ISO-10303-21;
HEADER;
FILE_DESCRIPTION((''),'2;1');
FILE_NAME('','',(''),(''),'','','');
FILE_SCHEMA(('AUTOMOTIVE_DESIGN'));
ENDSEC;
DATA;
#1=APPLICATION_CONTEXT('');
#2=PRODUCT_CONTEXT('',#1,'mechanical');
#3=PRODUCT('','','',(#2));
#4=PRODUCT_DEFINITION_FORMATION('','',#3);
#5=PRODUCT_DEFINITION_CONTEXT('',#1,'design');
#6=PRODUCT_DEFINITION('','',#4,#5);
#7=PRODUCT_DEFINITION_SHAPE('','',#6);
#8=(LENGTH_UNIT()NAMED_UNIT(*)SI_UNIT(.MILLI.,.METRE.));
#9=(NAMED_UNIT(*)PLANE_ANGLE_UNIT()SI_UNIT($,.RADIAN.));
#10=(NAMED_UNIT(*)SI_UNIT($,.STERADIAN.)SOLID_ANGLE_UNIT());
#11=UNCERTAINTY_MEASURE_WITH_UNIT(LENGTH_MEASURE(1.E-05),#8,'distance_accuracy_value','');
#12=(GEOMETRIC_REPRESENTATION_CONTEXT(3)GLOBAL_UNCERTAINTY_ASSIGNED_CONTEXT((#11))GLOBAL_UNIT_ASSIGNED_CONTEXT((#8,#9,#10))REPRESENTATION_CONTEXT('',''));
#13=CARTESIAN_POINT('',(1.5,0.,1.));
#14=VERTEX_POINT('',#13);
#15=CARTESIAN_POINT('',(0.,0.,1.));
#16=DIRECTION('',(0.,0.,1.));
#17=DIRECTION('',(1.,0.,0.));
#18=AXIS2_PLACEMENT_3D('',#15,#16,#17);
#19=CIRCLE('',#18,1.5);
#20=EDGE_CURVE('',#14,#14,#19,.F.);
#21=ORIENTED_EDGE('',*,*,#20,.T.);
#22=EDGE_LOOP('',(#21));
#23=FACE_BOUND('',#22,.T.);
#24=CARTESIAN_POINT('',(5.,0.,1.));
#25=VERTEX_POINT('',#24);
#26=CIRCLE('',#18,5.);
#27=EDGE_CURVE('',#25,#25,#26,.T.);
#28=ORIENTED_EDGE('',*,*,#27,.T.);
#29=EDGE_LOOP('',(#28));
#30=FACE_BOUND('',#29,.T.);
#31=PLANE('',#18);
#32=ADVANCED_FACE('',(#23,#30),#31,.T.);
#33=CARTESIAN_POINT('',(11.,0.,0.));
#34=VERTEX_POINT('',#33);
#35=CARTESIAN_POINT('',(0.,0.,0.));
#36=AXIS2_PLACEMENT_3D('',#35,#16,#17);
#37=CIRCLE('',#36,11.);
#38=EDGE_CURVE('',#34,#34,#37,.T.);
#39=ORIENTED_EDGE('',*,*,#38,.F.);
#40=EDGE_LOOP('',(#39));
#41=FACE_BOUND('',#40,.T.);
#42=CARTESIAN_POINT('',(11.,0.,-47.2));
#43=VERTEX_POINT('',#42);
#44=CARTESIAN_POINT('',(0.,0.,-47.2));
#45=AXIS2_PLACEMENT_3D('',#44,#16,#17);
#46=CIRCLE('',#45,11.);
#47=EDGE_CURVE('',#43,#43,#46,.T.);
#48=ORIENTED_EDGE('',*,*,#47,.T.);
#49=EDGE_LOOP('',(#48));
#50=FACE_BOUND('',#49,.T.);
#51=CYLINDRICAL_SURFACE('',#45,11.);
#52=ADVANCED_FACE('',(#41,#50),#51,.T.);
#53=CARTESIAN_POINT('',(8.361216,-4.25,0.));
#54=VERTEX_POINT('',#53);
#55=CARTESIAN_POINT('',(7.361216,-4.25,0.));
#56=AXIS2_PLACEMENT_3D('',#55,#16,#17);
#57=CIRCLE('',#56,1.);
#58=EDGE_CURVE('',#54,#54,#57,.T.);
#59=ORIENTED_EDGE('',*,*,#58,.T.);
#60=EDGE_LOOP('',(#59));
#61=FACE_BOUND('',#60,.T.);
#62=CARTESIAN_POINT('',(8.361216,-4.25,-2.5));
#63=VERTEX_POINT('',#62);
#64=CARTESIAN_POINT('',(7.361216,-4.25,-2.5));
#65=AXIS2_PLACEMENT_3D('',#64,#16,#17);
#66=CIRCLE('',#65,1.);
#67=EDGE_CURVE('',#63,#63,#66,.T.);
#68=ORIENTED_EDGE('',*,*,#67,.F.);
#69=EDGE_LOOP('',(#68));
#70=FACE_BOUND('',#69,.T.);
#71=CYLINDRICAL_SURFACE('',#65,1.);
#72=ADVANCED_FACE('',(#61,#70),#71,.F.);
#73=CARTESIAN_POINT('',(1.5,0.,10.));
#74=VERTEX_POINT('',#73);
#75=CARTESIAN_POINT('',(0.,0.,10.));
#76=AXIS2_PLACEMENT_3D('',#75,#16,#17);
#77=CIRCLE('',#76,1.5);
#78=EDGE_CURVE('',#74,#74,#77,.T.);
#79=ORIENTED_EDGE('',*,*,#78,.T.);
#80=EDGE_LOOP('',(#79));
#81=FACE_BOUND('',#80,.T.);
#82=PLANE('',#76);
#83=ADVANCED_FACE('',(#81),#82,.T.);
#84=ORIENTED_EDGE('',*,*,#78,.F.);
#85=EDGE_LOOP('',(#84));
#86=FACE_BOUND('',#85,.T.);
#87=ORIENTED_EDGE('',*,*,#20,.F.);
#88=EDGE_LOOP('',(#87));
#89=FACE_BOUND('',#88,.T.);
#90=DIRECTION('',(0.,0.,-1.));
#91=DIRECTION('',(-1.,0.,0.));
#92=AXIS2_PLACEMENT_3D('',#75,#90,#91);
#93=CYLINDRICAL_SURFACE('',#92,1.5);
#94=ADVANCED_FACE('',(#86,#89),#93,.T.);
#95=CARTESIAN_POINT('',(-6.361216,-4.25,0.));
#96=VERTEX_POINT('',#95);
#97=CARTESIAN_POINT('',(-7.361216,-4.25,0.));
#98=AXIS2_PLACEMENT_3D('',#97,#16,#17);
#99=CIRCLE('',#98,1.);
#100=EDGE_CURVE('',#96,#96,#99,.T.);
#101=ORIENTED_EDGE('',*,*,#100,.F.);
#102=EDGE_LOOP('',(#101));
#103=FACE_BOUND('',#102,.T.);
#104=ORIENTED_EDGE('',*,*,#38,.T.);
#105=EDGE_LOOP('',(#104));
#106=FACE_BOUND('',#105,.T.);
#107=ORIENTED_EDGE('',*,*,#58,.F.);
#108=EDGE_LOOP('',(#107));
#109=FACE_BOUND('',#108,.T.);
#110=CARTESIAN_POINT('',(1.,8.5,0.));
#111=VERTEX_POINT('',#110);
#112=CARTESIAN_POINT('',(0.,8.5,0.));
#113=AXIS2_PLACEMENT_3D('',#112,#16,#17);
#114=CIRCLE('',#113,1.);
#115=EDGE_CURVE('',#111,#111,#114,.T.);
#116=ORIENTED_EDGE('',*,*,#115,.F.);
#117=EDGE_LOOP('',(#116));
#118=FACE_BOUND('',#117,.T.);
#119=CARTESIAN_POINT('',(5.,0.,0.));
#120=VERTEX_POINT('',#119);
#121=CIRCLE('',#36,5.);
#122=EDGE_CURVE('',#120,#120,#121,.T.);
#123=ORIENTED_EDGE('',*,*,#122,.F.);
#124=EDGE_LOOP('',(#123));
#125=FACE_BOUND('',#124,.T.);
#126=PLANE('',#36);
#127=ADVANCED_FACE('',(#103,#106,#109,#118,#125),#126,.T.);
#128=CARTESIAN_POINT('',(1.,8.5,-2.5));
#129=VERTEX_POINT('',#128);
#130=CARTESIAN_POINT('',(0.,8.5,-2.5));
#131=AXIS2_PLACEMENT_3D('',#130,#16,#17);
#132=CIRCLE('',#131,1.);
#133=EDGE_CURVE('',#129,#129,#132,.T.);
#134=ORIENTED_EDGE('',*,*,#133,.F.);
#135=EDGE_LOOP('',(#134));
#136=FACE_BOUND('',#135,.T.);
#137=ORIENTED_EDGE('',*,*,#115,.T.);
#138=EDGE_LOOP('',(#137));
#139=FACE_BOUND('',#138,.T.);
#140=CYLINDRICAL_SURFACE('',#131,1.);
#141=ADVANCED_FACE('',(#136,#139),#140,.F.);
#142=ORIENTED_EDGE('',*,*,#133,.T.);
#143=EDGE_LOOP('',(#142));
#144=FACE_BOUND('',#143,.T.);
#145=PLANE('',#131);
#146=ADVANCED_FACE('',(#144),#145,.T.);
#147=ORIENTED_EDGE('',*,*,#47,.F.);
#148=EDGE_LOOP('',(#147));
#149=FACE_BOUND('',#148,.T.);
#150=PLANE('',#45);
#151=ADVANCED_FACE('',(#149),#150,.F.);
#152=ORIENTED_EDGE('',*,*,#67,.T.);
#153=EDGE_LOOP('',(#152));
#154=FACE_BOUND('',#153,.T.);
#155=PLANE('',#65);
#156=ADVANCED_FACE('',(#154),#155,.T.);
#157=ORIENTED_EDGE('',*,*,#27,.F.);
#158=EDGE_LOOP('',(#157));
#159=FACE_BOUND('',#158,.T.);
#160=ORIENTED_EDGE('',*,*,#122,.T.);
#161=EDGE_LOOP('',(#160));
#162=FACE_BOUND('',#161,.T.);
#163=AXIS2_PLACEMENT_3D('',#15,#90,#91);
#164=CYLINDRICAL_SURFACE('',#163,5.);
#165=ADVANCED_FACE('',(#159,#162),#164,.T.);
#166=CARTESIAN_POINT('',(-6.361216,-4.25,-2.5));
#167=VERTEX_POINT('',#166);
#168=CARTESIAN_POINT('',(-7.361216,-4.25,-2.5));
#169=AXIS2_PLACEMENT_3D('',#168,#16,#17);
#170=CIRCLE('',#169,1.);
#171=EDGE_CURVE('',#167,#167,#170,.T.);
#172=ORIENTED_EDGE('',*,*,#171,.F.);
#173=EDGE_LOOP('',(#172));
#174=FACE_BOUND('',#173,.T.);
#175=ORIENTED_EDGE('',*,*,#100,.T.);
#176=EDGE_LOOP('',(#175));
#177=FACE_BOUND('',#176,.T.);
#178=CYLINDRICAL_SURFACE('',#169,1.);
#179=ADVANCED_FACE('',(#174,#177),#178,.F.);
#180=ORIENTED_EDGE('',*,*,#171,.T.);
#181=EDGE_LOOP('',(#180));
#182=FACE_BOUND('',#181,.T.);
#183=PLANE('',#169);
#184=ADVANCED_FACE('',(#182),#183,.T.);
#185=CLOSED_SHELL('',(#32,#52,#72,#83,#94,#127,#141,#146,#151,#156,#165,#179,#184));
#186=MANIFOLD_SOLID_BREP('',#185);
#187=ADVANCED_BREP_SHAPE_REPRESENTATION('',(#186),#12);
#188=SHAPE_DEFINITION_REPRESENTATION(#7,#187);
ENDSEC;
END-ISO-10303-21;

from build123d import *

# Parameters (mm, degrees)
SKETCH1_R           = 11
BOSS_EXTRUDE1_DEPTH = 47.2
SKETCH2_R           = 5
BOSS_EXTRUDE2_DEPTH = 1
SKETCH3_R           = 1.5
BOSS_EXTRUDE3_DEPTH = 10
SKETCH4_R           = 1
CUT_EXTRUDE1_DEPTH  = 2.5


with BuildPart() as part:
    # Sketch1 → Boss-Extrude1 (new body)
    with BuildSketch(Plane.XY):
        Circle(SKETCH1_R)
    extrude(amount=-BOSS_EXTRUDE1_DEPTH)

    # Sketch2 → Boss-Extrude2 (add)
    with BuildSketch(Plane.XY):
        Circle(SKETCH2_R)
    extrude(amount=BOSS_EXTRUDE2_DEPTH)

    # Sketch3 → Boss-Extrude3 (add)
    with BuildSketch(Plane.XY):
        Circle(SKETCH3_R)
    extrude(amount=BOSS_EXTRUDE3_DEPTH)

    # Sketch4 → Cut-Extrude1 (cut)
    with BuildSketch(Plane.XY):
        with Locations((0, 8.5)):
            Circle(SKETCH4_R)
        with Locations((7.361215932, -4.25)):
            Circle(SKETCH4_R)
        with Locations((-7.361215932, -4.25)):
            Circle(SKETCH4_R)
    extrude(amount=-CUT_EXTRUDE1_DEPTH, mode=Mode.SUBTRACT)


solid = part.part
